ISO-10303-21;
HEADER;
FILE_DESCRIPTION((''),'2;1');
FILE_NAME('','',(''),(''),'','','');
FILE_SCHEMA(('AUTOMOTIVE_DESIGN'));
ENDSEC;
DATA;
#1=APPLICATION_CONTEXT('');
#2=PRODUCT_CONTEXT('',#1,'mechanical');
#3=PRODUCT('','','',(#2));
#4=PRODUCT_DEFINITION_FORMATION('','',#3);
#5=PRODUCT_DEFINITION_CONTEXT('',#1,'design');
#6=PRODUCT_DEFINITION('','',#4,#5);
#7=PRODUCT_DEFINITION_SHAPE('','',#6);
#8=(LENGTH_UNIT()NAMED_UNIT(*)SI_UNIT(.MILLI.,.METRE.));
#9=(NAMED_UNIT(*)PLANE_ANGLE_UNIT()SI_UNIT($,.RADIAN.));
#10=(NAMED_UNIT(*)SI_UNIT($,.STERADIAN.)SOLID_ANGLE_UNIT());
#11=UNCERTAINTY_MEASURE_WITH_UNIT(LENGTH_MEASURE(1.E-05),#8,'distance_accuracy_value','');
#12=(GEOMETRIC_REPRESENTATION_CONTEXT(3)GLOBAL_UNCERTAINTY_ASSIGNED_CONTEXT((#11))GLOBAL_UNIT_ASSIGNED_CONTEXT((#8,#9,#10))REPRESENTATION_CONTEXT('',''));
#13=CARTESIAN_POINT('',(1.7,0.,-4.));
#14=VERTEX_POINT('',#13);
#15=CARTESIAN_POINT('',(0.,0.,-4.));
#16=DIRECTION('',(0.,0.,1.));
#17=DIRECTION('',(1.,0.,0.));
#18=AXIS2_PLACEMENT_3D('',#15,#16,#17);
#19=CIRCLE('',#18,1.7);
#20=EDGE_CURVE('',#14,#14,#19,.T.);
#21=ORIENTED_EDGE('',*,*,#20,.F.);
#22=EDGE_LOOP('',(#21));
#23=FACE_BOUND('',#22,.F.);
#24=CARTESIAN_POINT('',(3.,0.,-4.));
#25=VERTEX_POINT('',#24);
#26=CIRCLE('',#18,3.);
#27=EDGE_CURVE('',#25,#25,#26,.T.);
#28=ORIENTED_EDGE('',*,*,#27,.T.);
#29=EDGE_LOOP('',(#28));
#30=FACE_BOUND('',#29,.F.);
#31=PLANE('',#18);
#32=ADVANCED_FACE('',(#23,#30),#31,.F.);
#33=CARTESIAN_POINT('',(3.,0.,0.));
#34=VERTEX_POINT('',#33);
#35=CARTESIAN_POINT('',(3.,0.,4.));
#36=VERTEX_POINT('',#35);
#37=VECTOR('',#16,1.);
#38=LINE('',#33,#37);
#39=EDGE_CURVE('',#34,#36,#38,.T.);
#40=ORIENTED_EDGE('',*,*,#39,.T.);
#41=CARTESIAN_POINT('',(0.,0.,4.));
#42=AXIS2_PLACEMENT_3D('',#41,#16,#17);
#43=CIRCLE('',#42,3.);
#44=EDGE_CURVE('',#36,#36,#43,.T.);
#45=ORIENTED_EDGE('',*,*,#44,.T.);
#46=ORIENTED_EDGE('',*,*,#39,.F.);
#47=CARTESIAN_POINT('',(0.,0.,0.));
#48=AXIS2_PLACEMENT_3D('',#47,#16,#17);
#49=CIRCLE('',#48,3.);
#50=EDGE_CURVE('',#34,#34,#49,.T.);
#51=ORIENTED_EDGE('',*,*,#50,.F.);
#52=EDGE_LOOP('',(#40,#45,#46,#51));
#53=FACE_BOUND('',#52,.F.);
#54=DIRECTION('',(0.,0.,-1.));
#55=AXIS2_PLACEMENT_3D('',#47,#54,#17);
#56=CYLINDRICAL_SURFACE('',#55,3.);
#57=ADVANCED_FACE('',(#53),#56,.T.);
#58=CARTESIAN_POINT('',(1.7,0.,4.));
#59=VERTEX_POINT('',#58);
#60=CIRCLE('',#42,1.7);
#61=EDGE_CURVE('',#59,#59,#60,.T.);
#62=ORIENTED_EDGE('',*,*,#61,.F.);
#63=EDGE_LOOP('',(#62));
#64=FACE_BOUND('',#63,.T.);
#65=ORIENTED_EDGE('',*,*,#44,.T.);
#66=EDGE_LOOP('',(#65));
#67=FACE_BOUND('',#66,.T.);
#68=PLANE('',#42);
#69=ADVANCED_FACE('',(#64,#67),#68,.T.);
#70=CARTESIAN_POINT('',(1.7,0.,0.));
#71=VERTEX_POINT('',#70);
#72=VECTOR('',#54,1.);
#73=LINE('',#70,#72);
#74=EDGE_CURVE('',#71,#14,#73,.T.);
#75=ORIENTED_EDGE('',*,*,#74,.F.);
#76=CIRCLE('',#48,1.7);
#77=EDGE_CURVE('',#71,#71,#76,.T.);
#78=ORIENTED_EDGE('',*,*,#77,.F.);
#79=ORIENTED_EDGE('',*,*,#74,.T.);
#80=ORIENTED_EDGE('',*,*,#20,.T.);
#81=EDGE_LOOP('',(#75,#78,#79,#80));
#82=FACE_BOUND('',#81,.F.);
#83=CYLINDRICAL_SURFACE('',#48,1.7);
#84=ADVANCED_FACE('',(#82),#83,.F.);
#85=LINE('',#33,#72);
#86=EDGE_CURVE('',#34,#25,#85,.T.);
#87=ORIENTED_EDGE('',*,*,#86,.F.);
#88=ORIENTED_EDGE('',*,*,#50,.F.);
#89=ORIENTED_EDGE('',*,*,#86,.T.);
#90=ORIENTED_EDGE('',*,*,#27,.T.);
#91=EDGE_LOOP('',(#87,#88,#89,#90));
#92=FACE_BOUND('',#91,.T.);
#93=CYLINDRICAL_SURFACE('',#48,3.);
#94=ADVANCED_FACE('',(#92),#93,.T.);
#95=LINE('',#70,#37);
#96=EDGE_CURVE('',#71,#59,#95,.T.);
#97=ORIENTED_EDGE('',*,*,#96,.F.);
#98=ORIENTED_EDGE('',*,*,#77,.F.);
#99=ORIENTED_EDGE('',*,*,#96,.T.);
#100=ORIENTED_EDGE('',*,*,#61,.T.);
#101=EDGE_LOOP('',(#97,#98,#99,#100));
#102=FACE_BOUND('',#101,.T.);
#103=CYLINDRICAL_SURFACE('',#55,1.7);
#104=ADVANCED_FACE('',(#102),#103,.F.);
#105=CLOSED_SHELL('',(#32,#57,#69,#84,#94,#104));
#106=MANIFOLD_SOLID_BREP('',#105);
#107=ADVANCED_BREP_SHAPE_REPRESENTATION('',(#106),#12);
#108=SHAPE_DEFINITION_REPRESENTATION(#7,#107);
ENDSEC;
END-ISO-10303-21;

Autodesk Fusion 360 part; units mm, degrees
sketch "Sketch1" plane through (0, 0, 0) normal (0, 0, 1) x (1, 0, 0)
  circle A0 centre (0, 0) radius 1.7
  circle A1 centre (0, 0) radius 3
  dimension "d1" = 3.4
  dimension "d2" = 6
extrude "Extrude1" add sketch "Sketch1" along normal mid plane 8
